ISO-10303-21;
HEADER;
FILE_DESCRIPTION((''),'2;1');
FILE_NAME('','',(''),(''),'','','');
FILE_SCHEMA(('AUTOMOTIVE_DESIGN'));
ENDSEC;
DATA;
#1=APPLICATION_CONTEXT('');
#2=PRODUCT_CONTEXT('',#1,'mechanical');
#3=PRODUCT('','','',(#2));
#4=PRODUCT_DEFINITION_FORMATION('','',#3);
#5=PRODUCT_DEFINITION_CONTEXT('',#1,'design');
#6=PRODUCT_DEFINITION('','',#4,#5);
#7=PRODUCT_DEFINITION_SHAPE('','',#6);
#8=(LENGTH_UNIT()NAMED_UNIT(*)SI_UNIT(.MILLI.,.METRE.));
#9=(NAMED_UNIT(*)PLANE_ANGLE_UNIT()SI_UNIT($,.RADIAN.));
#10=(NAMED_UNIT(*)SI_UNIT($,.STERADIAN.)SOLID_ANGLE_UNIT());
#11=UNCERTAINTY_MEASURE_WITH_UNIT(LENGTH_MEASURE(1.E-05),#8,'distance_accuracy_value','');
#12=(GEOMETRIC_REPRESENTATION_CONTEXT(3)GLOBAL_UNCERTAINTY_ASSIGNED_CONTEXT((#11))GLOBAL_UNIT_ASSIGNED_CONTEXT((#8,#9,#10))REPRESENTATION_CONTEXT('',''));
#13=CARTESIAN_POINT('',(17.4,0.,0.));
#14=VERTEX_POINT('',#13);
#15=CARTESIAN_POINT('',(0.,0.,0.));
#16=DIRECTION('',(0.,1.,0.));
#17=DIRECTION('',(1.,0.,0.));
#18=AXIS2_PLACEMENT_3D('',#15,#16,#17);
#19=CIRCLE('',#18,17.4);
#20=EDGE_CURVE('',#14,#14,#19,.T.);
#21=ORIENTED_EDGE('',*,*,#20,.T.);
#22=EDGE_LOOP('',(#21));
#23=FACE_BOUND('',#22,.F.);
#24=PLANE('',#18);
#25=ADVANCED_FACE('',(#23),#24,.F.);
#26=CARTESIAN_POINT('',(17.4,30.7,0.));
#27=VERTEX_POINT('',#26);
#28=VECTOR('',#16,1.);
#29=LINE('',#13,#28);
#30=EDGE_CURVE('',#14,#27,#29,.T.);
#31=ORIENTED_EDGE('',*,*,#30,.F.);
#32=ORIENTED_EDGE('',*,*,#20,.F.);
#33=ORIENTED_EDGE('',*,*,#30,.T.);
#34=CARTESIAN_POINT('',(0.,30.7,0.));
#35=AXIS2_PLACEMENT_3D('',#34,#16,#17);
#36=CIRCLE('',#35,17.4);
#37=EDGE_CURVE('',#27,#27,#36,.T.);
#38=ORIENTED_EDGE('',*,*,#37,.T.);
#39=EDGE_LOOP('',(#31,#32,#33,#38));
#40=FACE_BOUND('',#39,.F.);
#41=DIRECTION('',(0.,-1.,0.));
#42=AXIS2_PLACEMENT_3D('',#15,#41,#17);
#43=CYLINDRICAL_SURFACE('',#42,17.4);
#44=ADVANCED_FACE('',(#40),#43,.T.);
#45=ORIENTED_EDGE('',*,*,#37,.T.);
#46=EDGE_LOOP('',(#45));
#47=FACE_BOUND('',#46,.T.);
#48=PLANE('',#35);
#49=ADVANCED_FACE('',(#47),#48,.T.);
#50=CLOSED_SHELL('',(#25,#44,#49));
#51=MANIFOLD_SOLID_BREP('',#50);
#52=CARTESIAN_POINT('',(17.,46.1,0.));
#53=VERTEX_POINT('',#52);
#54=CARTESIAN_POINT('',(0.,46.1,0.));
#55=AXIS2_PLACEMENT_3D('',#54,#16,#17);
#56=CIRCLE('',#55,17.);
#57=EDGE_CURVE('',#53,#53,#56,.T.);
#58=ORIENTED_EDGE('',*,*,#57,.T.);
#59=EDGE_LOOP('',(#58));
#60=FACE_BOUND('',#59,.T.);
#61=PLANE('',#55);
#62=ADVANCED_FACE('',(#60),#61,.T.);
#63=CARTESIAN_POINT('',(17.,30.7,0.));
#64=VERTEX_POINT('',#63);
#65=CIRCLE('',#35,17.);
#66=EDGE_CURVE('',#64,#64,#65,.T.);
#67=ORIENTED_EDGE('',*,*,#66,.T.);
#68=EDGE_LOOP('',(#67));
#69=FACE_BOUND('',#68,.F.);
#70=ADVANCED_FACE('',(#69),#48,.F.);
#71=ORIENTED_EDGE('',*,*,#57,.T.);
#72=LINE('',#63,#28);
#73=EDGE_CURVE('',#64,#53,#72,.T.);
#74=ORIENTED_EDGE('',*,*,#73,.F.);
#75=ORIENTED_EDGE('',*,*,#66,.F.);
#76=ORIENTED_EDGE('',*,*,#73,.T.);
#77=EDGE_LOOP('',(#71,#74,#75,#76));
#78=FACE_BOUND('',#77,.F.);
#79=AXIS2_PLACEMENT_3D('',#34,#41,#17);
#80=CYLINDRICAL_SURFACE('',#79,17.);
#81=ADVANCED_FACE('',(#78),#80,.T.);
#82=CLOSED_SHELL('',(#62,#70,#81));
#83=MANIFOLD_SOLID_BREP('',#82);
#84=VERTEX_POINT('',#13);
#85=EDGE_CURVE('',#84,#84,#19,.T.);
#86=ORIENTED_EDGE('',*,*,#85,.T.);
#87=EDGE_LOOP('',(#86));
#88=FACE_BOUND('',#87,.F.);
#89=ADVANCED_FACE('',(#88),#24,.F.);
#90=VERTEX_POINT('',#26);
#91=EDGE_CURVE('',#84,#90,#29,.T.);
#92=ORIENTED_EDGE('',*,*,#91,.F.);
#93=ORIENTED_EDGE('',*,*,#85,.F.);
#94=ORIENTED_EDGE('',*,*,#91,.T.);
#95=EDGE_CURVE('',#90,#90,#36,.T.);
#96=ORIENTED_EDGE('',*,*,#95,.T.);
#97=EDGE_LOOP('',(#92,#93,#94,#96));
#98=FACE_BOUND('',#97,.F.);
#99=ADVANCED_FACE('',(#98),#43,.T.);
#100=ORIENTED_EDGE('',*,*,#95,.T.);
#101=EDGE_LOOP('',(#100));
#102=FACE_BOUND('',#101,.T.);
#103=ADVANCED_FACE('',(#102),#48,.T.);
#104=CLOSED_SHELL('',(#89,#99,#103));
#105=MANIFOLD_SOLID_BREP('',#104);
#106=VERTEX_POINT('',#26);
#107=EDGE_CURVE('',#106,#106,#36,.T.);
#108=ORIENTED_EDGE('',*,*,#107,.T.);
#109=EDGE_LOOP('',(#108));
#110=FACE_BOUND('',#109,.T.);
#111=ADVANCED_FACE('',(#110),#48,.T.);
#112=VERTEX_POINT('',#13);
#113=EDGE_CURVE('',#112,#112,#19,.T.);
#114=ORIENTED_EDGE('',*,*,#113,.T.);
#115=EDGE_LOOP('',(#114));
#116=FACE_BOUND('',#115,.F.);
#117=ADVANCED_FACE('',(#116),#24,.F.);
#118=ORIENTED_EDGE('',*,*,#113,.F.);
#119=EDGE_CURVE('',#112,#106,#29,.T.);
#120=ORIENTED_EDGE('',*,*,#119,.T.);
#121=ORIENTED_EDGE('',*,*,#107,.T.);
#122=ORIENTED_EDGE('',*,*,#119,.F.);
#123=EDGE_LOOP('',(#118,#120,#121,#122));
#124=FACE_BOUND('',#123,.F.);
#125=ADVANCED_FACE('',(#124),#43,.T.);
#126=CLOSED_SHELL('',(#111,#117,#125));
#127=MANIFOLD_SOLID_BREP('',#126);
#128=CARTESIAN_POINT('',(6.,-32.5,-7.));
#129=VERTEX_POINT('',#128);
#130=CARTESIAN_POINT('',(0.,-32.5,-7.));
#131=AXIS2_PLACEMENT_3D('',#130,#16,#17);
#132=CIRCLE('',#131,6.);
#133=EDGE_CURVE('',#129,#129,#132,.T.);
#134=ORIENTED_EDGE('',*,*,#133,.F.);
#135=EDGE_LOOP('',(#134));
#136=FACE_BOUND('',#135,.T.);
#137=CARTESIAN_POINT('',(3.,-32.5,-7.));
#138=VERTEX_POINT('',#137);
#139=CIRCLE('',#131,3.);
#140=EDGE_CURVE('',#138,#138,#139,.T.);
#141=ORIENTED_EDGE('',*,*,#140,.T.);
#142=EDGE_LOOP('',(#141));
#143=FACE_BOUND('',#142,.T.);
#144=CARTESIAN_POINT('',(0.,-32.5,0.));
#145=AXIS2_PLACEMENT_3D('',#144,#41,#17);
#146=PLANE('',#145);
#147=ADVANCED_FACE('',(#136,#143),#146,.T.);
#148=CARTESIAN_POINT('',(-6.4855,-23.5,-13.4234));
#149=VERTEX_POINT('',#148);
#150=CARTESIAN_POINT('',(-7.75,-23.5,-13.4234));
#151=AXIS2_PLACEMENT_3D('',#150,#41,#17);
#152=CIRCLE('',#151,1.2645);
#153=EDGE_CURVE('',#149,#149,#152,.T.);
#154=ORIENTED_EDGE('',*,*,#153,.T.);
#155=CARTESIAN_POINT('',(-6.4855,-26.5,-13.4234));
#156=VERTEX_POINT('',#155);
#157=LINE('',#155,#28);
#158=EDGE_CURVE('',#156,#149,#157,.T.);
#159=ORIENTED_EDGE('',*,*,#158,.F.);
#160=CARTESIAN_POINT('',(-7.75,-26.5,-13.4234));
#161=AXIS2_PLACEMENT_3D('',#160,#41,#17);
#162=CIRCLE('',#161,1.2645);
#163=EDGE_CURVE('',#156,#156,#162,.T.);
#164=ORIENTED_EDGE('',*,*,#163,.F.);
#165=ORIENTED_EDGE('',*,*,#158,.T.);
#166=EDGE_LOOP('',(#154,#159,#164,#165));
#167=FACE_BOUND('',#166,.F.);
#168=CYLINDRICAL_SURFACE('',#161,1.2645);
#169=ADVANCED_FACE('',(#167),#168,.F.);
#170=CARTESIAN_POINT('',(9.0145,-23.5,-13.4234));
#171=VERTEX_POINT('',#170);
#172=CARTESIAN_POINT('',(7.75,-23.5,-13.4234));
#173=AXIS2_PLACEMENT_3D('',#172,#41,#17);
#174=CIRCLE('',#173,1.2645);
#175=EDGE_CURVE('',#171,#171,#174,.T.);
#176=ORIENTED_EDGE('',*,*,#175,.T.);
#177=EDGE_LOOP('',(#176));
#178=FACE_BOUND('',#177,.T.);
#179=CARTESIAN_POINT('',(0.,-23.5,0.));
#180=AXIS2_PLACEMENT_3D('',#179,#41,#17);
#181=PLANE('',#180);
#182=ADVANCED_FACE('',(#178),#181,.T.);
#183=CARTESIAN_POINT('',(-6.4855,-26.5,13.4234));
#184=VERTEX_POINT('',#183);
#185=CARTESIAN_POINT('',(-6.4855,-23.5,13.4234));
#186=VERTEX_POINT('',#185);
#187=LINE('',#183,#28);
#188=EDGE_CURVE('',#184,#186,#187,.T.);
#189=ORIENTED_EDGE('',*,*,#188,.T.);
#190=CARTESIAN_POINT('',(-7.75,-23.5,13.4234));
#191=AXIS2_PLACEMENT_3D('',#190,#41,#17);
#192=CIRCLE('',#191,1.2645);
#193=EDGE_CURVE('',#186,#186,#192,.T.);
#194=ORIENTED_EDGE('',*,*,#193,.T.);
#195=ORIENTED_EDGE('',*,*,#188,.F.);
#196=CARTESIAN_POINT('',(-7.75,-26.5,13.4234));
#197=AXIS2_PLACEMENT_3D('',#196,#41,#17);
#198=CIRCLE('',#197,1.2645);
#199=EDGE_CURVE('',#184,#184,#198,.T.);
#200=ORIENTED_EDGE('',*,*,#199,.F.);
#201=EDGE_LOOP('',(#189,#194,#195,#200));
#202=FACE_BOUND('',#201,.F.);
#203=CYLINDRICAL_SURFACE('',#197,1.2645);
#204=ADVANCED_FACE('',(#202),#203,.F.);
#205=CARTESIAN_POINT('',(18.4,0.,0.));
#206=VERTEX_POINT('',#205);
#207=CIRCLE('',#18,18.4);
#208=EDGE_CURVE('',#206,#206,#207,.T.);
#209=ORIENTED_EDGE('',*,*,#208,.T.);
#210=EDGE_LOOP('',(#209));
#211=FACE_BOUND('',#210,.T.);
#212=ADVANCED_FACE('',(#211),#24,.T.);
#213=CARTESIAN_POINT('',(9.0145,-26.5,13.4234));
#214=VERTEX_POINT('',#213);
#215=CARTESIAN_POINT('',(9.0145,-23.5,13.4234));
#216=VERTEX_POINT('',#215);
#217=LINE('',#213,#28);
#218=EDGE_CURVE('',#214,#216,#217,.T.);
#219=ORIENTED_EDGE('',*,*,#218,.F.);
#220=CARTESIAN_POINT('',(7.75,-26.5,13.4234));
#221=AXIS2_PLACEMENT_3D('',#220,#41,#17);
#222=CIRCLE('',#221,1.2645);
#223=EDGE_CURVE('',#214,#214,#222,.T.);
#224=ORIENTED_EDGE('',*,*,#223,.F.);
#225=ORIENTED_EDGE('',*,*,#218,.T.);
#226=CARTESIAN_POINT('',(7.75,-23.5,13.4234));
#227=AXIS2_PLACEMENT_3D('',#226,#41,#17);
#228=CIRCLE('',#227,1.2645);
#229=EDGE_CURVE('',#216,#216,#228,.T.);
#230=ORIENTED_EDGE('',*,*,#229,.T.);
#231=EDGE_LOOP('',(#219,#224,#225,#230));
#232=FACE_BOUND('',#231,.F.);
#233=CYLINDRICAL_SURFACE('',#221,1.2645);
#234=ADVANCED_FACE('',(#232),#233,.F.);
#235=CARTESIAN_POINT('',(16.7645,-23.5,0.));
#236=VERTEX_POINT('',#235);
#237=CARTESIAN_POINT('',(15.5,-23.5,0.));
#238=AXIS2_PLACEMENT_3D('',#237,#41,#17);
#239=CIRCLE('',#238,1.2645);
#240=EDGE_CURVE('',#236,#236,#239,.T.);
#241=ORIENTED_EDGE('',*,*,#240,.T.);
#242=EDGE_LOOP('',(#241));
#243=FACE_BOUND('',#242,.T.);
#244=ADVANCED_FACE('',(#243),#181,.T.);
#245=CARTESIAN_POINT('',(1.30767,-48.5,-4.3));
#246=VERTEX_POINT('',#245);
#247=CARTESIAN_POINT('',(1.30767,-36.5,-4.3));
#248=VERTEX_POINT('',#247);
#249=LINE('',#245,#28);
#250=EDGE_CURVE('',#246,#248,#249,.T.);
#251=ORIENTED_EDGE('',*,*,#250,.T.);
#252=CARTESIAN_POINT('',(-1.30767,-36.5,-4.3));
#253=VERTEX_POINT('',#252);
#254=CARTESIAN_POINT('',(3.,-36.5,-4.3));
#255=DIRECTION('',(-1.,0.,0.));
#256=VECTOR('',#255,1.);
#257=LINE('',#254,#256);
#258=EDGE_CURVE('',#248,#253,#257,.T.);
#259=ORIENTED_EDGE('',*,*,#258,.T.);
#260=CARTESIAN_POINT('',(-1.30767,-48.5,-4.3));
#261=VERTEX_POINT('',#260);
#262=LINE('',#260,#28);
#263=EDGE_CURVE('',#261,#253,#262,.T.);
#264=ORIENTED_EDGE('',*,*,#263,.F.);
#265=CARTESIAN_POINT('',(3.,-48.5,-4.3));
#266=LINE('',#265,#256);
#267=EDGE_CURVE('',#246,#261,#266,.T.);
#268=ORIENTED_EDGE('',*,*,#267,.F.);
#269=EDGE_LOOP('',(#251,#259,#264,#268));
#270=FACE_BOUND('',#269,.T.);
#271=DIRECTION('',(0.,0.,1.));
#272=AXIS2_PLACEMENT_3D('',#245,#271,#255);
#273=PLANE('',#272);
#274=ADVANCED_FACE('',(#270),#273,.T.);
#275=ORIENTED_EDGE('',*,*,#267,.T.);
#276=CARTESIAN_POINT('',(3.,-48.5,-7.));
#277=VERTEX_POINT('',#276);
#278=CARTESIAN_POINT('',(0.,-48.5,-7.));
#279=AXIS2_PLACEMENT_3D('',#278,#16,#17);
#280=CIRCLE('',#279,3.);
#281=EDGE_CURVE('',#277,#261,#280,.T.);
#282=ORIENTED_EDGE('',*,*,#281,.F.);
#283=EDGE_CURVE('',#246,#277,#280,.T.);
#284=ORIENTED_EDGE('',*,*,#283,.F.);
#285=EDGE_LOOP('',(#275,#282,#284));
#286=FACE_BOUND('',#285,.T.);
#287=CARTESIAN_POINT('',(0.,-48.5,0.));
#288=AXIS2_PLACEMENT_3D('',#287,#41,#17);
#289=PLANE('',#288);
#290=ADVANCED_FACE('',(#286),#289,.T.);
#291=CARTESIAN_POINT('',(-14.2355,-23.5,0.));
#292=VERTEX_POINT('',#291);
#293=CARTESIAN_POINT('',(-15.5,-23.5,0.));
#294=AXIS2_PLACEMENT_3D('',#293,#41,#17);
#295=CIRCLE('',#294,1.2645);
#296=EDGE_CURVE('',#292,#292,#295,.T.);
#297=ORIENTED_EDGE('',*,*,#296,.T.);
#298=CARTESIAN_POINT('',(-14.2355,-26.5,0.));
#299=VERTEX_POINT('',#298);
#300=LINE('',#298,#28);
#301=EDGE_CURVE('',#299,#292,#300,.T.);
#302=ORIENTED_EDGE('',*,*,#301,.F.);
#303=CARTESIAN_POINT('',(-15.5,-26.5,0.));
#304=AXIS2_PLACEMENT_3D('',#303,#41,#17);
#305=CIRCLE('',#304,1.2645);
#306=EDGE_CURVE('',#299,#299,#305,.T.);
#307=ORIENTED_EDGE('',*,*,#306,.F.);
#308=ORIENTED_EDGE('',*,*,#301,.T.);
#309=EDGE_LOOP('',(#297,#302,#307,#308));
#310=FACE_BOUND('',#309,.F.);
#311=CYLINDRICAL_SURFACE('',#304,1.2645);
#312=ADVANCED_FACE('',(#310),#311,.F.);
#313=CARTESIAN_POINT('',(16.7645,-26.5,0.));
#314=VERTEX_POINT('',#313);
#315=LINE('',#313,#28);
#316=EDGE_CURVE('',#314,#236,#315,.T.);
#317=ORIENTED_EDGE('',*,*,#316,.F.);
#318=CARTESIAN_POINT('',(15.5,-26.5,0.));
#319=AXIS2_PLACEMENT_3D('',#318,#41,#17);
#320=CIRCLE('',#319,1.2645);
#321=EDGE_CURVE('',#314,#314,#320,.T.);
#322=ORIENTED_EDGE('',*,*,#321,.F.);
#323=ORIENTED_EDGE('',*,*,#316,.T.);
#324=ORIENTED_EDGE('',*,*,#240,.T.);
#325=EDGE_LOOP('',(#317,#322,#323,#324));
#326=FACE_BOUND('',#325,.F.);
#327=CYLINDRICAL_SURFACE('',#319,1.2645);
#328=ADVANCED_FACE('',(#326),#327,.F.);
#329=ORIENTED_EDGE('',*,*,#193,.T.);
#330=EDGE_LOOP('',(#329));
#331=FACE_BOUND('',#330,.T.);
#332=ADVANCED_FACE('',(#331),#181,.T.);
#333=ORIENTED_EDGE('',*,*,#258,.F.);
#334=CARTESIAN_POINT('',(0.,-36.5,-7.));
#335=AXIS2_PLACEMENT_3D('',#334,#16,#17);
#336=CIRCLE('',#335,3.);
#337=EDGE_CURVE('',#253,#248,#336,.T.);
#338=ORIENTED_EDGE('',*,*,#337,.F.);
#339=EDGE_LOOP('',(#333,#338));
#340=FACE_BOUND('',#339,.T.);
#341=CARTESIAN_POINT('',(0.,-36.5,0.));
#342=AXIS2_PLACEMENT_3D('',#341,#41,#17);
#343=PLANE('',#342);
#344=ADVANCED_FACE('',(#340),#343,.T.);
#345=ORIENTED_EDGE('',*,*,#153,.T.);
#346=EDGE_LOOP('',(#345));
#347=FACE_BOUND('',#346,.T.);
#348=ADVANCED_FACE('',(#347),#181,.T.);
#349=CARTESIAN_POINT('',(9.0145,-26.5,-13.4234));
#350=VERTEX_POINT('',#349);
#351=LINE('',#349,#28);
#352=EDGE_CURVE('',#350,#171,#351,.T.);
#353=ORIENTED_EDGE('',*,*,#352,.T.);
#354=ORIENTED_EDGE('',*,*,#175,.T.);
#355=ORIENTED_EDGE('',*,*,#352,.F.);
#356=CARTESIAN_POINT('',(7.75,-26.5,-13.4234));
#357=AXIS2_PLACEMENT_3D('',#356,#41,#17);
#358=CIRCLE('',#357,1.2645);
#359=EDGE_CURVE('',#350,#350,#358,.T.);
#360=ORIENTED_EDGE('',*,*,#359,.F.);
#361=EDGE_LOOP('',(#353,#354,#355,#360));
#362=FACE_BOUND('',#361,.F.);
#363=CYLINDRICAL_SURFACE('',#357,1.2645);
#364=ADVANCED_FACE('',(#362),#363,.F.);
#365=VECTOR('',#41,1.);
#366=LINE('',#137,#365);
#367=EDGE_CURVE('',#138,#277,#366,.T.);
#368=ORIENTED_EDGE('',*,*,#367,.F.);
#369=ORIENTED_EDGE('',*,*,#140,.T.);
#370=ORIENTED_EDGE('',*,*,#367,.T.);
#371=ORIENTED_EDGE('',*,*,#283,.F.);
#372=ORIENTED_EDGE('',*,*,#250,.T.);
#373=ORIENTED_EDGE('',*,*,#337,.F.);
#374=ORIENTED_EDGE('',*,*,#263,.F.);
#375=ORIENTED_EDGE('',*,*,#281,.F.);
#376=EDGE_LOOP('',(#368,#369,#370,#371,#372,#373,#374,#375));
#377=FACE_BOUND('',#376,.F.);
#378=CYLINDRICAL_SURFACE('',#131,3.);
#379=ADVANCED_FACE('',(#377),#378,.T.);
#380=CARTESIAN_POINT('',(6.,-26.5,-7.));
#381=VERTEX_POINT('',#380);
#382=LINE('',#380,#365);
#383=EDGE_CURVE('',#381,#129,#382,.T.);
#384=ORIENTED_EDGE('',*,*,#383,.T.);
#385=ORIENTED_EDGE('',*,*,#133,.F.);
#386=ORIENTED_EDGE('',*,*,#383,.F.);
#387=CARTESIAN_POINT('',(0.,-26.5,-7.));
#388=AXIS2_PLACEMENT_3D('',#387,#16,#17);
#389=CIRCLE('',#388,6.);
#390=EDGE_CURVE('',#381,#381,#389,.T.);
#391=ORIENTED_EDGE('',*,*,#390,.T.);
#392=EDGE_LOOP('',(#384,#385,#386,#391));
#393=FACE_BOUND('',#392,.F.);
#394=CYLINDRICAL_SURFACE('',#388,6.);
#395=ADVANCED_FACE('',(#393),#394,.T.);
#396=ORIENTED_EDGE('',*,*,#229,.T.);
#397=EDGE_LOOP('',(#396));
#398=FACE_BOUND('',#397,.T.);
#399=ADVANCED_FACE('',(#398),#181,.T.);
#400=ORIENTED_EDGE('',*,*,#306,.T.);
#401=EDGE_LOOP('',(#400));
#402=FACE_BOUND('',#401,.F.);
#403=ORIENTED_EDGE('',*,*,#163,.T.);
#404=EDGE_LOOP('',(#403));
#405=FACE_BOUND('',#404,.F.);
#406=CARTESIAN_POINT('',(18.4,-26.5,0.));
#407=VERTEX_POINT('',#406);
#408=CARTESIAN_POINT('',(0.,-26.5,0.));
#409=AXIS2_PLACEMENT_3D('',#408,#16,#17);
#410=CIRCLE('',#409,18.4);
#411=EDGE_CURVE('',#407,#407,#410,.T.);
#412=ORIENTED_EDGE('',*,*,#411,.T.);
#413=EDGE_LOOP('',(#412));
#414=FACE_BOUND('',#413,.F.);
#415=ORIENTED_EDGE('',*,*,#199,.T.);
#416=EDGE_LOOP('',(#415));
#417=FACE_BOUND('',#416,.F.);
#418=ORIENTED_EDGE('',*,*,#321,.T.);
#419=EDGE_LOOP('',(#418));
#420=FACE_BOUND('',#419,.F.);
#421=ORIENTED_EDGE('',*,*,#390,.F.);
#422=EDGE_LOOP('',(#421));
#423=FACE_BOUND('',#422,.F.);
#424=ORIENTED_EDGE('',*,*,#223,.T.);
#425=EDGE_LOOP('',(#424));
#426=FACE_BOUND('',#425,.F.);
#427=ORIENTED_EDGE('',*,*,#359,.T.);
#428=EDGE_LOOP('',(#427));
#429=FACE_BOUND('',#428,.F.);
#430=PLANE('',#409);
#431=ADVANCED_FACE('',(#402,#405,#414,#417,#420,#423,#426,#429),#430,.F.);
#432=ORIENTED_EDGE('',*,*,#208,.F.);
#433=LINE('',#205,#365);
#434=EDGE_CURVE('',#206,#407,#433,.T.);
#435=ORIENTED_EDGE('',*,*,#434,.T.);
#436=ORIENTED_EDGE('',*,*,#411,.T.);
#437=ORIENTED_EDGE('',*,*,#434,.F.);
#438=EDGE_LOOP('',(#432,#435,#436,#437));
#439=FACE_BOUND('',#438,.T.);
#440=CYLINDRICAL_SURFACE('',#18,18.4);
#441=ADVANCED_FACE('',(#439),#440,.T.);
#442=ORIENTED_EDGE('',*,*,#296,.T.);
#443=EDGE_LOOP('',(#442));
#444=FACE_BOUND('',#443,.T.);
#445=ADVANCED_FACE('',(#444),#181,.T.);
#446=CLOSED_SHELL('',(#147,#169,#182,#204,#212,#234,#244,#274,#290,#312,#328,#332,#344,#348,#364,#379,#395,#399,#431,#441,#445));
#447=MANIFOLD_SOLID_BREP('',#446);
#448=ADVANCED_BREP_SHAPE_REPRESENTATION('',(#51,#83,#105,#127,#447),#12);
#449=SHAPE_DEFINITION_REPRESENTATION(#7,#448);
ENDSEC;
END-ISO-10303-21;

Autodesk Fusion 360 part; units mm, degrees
sketch "Skizze1" plane through (0, 0, 0) normal (0, 1, 0) x (1, 0, 0)
  circle A0 centre (0, 0) radius 17.4
  dimension "d1" = 34.8
  dimension "d62" = 0
  dimension "d63" = 0
  dimension "d64" = 0
  dimension "d65" = 0
  dimension "d74" = 0
  dimension "d75" = 0
  dimension "d76" = 0
  dimension "d77" = 0
  dimension "d86" = 0
  dimension "d87" = 0
  dimension "d88" = 0
  dimension "d89" = 0
extrude "Extrusion3" add sketch "Skizze1" along normal blind 30.7 makes body 1
extrude "Extrusion2" add sketch "Skizze1" along normal blind 30.7 separate body makes body 2
extrude "Extrusion1" add sketch "Skizze1" along normal blind 30.7 separate body makes body 3
copy_body "Körper->Berechn1" bodies 1 removing the originals makes body 4 in component "Motor"
ref_plane "Arbeitsebene1" through (0, 0, 0) normal (0, 1, 0) x (1, 0, 0) in component "Gearbox"
sketch "Skizze1 (2)" plane through (0, 0, 0) normal (0, 1, 0) x (1, 0, 0) in component "Gearbox"
  circle A0 centre (0, 0) radius 18.4
  dimension "d13" = 36.8
extrude "Extrusion1'" add sketch "Skizze1 (2)" against normal blind 26.5 separate body makes body 5 in component "Gearbox"
ref_plane "Arbeitsebene1" through (0, 30.7, 0) normal (0, 1, 0) x (1, 0, 0) in component "Encoder"
sketch "Skizze1 (3)" plane through (0, 30.7, 0) normal (0, 1, 0) x (1, 0, 0) in component "Encoder"
  circle A0 centre (0, 0) radius 17
  dimension "d17" = 34
extrude "Extrusion1''" add sketch "Skizze1 (3)" along normal blind 15.4 separate body makes body 6 in component "Encoder"
sketch "Skizze3" plane through (0, -26.5, 0) normal (0, -1, 0) x (1, 0, 0)
  circle A0 centre (0, 0) radius 18.4
  circle A1 centre (0, 0) radius 15.5 construction
  circle A2 centre (0, -7) radius 6
  line L0 (0, 0) -> (0, -28) construction
  dimension "d20" = 31
  dimension "d21" = 12
  dimension "d22" = 7
extrude "Extrusion2'" add sketch "Skizze3" along normal blind 6 contours A2 bodies 5 in component "Gearbox"
sketch "Skizze4" plane through (0, -32.5, 0) normal (0, -1, 0) x (1, 0, 0)
  circle A0 centre (0, -7) radius 6
  circle A1 centre (0, -7) radius 3
  dimension "d25" = 6
extrude "Extrusion3'" add sketch "Skizze4" along normal blind 16 contours A1 bodies 5 in component "Gearbox"
sketch "Skizze2" plane through (0, -26.5, 0) normal (0, -1, 0) x (1, 0, 0) in component "Gearbox"
  circle A0 centre (0, -7) radius 6
  circle A1 centre (0, 0) radius 18.4
  circle A2 centre (0, 0) radius 15.5 construction
  circle A3 centre (-15.5, 0) radius 1.6
  circle A4 centre (-7.75, -13.4234) radius 1.6
  circle A5 centre (7.75, -13.4234) radius 1.6
  circle A6 centre (15.5, 0) radius 1.6
  circle A7 centre (7.75, 13.4234) radius 1.6
  circle A8 centre (-7.75, 13.4234) radius 1.6
  dimension "d28" = 31
  dimension "d29" = 3.2
  dimension "d31" = 360
extrude "Extrusion4" cut sketch "Skizze2" against normal blind 3 contours A3 | A4 | A5 | A6 | A7 | A8 bodies 5 in component "Gearbox"
thread "Gewinde1" "ISO Metric profile 3.0 M3x0.5 6H" major diameter 3.086 minor diameter 2.529 pitch 0.5 angle 60 resizes the face on face at (-6.152, -24.5, 13.3436) on bodies 5 in component "Gearbox"
thread "Gewinde2" "ISO Metric profile 3.0 M3x0.5 6H" major diameter 3.086 minor diameter 2.529 pitch 0.5 angle 60 resizes the face on face at (9.348, -24.5, 13.3436) on bodies 5 in component "Gearbox"
thread "Gewinde3" "ISO Metric profile 3.0 M3x0.5 6H" major diameter 3.086 minor diameter 2.529 pitch 0.5 angle 60 resizes the face on face at (17.098, -24.5, -0.0798) on bodies 5 in component "Gearbox"
thread "Gewinde4" "ISO Metric profile 3.0 M3x0.5 6H" major diameter 3.086 minor diameter 2.529 pitch 0.5 angle 60 resizes the face on face at (-13.902, -24.5, -0.0798) on bodies 5 in component "Gearbox"
thread "Gewinde5" "ISO Metric profile 3.0 M3x0.5 6H" major diameter 3.086 minor diameter 2.529 pitch 0.5 angle 60 resizes the face on face at (-6.152, -24.5, -13.5031) on bodies 5 in component "Gearbox"
thread "Gewinde6" "ISO Metric profile 3.0 M3x0.5 6H" major diameter 3.086 minor diameter 2.529 pitch 0.5 angle 60 resizes the face on face at (9.348, -24.5, -13.5031) on bodies 5 in component "Gearbox"
sketch "Skizze5" plane through (0, -48.5, 0) normal (0, -1, 0) x (1, 0, 0)
  circle A0 centre (0, -7) radius 3
  line L0 (-3, -2.3) -> (3, -2.3)
  line L1 (3, -2.3) -> (3, -4.3)
  line L2 (3, -4.3) -> (-3, -4.3)
  line L3 (-3, -4.3) -> (-3, -2.3)
  dimension "d130" = 2.7
extrude "Extrusion5" cut sketch "Skizze5" against normal blind 12 contours A0 L2 | A0 L0 L1 L2 L3 picked at (-0.0644, -4.105) bodies 5 in component "Gearbox"
component "Motor" placed x (1, 0, 0) y (0, 1, 0) z (0, 0, 1) at (0, 0, 0)
component "Gearbox" placed x (1, 0, 0) y (0, 1, 0) z (0, 0, 1) at (0, 0, 0)
component "Encoder" placed x (1, 0, 0) y (0, 1, 0) z (0, 0, 1) at (0, 0, 0)
